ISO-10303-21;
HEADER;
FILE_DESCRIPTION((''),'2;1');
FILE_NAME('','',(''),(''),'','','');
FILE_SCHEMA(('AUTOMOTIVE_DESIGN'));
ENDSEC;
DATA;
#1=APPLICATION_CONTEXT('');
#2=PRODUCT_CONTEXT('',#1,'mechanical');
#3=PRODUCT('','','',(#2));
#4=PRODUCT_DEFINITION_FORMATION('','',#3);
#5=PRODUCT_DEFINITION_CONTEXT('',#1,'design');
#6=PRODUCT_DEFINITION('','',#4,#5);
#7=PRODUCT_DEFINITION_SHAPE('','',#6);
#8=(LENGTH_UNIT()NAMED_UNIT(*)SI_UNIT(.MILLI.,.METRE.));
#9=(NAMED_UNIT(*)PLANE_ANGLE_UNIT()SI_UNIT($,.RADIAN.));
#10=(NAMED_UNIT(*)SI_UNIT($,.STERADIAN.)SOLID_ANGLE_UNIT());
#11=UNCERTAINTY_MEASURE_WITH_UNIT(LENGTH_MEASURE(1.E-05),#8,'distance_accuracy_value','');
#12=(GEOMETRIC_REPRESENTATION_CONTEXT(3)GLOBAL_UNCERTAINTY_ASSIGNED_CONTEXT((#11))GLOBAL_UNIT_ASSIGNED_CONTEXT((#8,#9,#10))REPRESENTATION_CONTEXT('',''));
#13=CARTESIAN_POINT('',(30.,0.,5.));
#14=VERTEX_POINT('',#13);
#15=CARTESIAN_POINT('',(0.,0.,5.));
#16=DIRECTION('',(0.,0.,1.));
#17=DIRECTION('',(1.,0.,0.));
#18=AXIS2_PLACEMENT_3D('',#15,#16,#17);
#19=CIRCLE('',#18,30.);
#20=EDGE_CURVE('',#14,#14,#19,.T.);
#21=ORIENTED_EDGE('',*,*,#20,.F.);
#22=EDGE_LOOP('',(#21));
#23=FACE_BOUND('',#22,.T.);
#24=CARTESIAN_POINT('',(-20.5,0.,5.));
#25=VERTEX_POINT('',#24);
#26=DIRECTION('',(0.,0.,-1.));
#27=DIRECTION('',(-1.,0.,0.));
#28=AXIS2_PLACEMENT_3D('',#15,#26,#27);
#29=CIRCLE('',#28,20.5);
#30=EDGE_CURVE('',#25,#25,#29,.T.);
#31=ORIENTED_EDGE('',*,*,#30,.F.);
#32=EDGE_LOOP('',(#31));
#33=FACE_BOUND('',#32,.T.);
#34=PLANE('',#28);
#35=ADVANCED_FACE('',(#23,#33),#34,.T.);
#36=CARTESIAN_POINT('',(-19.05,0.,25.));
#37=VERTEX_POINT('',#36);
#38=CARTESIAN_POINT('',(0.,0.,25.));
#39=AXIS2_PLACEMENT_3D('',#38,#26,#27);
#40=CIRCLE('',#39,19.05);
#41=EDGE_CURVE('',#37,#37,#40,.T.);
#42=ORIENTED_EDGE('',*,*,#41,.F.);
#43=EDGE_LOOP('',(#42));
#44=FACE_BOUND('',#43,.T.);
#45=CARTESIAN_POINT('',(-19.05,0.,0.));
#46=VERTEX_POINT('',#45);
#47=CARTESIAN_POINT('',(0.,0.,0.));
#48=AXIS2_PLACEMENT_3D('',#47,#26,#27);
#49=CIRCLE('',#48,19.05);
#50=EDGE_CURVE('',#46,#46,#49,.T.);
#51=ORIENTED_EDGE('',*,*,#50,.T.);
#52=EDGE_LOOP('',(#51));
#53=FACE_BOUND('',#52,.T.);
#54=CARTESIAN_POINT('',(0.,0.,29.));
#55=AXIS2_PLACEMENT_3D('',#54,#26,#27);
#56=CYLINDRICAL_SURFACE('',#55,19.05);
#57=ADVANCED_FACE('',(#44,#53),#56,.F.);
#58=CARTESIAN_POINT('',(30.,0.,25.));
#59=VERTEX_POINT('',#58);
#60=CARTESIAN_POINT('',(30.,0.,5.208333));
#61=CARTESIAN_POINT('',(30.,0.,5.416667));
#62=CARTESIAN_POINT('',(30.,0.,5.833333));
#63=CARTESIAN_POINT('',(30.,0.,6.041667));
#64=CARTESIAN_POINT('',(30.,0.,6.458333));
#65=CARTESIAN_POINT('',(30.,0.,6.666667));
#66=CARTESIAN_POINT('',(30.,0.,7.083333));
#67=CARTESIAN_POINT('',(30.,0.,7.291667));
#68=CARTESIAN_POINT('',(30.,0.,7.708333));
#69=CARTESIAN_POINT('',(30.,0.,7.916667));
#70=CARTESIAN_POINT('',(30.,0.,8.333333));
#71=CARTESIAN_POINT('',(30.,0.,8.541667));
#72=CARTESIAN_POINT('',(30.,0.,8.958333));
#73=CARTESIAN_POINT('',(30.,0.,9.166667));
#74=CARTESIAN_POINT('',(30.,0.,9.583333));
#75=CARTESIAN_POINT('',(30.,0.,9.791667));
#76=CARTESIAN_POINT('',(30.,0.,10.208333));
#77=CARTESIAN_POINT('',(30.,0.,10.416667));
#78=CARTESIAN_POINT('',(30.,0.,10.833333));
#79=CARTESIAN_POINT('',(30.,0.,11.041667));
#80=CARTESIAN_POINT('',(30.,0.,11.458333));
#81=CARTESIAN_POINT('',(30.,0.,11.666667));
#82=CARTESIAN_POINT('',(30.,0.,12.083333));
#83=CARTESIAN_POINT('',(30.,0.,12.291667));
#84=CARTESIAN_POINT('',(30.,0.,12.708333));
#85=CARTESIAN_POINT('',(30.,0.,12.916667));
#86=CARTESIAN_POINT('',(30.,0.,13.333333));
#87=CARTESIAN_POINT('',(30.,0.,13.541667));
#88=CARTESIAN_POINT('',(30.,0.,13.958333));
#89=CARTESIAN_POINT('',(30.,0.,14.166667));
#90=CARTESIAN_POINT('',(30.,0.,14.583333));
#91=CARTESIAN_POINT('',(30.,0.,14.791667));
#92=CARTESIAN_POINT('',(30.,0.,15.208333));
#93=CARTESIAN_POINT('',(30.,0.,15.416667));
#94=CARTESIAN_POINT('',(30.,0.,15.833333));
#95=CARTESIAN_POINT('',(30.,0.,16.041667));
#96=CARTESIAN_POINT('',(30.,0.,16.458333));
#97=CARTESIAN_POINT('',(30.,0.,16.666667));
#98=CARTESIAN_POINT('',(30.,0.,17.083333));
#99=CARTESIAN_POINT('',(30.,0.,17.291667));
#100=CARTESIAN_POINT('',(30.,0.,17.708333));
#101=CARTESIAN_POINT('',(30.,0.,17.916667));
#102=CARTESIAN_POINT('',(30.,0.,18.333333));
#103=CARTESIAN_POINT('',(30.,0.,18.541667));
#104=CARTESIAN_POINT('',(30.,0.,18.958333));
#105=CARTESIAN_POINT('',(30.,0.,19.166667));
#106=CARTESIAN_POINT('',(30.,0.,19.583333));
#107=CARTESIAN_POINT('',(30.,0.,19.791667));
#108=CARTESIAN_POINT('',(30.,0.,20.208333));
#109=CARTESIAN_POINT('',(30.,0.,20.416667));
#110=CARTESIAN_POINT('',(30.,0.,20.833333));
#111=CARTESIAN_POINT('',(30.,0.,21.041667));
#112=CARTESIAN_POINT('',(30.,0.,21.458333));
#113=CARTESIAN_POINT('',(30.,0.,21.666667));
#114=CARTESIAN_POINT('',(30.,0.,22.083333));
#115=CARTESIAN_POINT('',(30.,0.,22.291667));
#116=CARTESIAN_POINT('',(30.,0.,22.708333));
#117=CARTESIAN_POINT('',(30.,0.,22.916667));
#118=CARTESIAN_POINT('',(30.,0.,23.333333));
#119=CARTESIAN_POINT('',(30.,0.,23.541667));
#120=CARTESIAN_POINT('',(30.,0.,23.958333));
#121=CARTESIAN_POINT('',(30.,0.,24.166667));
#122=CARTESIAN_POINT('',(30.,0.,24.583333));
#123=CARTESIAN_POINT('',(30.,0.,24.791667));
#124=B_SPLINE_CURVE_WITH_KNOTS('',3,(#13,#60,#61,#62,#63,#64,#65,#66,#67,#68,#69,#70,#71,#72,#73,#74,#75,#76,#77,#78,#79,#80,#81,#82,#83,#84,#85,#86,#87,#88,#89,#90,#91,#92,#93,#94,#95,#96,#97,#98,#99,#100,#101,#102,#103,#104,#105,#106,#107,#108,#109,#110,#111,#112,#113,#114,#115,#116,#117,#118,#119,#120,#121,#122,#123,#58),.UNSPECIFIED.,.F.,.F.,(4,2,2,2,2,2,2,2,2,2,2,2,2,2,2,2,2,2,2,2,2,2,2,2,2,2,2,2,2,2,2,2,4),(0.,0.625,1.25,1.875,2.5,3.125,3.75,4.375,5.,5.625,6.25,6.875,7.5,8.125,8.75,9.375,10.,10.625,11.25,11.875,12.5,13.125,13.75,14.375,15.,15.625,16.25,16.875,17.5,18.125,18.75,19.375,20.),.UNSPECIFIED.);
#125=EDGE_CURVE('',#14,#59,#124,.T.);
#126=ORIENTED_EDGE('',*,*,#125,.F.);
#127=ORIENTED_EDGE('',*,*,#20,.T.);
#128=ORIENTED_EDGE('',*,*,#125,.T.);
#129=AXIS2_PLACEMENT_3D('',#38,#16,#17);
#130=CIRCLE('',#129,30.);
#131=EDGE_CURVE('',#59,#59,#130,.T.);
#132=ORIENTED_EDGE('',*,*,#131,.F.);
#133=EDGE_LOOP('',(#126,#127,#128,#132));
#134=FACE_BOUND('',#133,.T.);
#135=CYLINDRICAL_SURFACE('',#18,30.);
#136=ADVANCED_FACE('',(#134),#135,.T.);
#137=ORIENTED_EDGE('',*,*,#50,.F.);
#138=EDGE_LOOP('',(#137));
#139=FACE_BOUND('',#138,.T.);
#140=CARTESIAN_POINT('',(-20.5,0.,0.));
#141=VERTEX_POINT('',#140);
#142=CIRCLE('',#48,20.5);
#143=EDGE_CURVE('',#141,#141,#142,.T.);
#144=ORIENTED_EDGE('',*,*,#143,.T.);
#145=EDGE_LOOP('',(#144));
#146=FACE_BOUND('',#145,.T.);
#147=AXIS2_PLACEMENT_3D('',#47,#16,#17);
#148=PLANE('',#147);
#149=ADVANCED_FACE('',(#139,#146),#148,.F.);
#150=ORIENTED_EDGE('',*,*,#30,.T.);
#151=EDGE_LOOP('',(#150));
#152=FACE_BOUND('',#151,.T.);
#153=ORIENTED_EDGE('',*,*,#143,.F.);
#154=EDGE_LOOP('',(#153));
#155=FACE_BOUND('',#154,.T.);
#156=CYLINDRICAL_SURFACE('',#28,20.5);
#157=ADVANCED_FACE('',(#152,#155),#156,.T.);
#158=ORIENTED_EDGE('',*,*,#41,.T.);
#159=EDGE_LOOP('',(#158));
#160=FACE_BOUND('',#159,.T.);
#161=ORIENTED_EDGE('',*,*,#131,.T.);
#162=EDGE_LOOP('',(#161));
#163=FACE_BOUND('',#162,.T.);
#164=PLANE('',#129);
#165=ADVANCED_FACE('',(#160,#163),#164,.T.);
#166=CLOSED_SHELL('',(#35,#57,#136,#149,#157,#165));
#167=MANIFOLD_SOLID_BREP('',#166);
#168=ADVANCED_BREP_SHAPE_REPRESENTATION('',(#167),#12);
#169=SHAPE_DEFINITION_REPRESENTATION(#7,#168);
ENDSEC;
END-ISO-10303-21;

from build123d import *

# Parameters (mm, degrees)
CROQUIS1_R              = 23.05
SALIENTE_EXTRUIR1_DEPTH = 25
CROQUIS2_R              = 19.05
CORTAR_EXTRUIR1_DEPTH   = 29
CROQUIS3_R              = 23.05
CROQUIS3_R_2            = 20.5
CORTAR_EXTRUIR2_DEPTH   = 5
CROQUIS4_R              = 30
SALIENTE_EXTRUIR3_DEPTH = 20
CROQUIS5_R              = 19.05
CORTAR_EXTRUIR3_DEPTH   = 20


with BuildPart() as part:
    # Croquis1 → Saliente-Extruir1 (new body)
    with BuildSketch(Plane.XY):
        Circle(CROQUIS1_R)
    extrude(amount=SALIENTE_EXTRUIR1_DEPTH)

    # Croquis2 → Cortar-Extruir1 (cut)
    with BuildSketch(Plane(origin=(0, 0, 0), x_dir=(-1, 0, 0), z_dir=(0, 0, -1))):
        Circle(CROQUIS2_R)
    extrude(amount=-CORTAR_EXTRUIR1_DEPTH, mode=Mode.SUBTRACT)

    # Croquis3 → Cortar-Extruir2 (cut)
    with BuildSketch(Plane(origin=(0, 0, 0), x_dir=(-1, 0, 0), z_dir=(0, 0, -1))):
        Circle(CROQUIS3_R)
        Circle(CROQUIS3_R_2, mode=Mode.SUBTRACT)
    extrude(amount=-CORTAR_EXTRUIR2_DEPTH, mode=Mode.SUBTRACT)

    # Croquis4 → Saliente-Extruir3 (add)
    with BuildSketch(Plane.XY.offset(25)):
        Circle(CROQUIS4_R)
    extrude(amount=-SALIENTE_EXTRUIR3_DEPTH)

    # Croquis5 → Cortar-Extruir3 (cut)
    with BuildSketch(Plane(origin=(0, 0, 5), x_dir=(-1, 0, 0), z_dir=(0, 0, -1))):
        Circle(CROQUIS5_R)
    extrude(amount=-CORTAR_EXTRUIR3_DEPTH, mode=Mode.SUBTRACT)


solid = part.part
